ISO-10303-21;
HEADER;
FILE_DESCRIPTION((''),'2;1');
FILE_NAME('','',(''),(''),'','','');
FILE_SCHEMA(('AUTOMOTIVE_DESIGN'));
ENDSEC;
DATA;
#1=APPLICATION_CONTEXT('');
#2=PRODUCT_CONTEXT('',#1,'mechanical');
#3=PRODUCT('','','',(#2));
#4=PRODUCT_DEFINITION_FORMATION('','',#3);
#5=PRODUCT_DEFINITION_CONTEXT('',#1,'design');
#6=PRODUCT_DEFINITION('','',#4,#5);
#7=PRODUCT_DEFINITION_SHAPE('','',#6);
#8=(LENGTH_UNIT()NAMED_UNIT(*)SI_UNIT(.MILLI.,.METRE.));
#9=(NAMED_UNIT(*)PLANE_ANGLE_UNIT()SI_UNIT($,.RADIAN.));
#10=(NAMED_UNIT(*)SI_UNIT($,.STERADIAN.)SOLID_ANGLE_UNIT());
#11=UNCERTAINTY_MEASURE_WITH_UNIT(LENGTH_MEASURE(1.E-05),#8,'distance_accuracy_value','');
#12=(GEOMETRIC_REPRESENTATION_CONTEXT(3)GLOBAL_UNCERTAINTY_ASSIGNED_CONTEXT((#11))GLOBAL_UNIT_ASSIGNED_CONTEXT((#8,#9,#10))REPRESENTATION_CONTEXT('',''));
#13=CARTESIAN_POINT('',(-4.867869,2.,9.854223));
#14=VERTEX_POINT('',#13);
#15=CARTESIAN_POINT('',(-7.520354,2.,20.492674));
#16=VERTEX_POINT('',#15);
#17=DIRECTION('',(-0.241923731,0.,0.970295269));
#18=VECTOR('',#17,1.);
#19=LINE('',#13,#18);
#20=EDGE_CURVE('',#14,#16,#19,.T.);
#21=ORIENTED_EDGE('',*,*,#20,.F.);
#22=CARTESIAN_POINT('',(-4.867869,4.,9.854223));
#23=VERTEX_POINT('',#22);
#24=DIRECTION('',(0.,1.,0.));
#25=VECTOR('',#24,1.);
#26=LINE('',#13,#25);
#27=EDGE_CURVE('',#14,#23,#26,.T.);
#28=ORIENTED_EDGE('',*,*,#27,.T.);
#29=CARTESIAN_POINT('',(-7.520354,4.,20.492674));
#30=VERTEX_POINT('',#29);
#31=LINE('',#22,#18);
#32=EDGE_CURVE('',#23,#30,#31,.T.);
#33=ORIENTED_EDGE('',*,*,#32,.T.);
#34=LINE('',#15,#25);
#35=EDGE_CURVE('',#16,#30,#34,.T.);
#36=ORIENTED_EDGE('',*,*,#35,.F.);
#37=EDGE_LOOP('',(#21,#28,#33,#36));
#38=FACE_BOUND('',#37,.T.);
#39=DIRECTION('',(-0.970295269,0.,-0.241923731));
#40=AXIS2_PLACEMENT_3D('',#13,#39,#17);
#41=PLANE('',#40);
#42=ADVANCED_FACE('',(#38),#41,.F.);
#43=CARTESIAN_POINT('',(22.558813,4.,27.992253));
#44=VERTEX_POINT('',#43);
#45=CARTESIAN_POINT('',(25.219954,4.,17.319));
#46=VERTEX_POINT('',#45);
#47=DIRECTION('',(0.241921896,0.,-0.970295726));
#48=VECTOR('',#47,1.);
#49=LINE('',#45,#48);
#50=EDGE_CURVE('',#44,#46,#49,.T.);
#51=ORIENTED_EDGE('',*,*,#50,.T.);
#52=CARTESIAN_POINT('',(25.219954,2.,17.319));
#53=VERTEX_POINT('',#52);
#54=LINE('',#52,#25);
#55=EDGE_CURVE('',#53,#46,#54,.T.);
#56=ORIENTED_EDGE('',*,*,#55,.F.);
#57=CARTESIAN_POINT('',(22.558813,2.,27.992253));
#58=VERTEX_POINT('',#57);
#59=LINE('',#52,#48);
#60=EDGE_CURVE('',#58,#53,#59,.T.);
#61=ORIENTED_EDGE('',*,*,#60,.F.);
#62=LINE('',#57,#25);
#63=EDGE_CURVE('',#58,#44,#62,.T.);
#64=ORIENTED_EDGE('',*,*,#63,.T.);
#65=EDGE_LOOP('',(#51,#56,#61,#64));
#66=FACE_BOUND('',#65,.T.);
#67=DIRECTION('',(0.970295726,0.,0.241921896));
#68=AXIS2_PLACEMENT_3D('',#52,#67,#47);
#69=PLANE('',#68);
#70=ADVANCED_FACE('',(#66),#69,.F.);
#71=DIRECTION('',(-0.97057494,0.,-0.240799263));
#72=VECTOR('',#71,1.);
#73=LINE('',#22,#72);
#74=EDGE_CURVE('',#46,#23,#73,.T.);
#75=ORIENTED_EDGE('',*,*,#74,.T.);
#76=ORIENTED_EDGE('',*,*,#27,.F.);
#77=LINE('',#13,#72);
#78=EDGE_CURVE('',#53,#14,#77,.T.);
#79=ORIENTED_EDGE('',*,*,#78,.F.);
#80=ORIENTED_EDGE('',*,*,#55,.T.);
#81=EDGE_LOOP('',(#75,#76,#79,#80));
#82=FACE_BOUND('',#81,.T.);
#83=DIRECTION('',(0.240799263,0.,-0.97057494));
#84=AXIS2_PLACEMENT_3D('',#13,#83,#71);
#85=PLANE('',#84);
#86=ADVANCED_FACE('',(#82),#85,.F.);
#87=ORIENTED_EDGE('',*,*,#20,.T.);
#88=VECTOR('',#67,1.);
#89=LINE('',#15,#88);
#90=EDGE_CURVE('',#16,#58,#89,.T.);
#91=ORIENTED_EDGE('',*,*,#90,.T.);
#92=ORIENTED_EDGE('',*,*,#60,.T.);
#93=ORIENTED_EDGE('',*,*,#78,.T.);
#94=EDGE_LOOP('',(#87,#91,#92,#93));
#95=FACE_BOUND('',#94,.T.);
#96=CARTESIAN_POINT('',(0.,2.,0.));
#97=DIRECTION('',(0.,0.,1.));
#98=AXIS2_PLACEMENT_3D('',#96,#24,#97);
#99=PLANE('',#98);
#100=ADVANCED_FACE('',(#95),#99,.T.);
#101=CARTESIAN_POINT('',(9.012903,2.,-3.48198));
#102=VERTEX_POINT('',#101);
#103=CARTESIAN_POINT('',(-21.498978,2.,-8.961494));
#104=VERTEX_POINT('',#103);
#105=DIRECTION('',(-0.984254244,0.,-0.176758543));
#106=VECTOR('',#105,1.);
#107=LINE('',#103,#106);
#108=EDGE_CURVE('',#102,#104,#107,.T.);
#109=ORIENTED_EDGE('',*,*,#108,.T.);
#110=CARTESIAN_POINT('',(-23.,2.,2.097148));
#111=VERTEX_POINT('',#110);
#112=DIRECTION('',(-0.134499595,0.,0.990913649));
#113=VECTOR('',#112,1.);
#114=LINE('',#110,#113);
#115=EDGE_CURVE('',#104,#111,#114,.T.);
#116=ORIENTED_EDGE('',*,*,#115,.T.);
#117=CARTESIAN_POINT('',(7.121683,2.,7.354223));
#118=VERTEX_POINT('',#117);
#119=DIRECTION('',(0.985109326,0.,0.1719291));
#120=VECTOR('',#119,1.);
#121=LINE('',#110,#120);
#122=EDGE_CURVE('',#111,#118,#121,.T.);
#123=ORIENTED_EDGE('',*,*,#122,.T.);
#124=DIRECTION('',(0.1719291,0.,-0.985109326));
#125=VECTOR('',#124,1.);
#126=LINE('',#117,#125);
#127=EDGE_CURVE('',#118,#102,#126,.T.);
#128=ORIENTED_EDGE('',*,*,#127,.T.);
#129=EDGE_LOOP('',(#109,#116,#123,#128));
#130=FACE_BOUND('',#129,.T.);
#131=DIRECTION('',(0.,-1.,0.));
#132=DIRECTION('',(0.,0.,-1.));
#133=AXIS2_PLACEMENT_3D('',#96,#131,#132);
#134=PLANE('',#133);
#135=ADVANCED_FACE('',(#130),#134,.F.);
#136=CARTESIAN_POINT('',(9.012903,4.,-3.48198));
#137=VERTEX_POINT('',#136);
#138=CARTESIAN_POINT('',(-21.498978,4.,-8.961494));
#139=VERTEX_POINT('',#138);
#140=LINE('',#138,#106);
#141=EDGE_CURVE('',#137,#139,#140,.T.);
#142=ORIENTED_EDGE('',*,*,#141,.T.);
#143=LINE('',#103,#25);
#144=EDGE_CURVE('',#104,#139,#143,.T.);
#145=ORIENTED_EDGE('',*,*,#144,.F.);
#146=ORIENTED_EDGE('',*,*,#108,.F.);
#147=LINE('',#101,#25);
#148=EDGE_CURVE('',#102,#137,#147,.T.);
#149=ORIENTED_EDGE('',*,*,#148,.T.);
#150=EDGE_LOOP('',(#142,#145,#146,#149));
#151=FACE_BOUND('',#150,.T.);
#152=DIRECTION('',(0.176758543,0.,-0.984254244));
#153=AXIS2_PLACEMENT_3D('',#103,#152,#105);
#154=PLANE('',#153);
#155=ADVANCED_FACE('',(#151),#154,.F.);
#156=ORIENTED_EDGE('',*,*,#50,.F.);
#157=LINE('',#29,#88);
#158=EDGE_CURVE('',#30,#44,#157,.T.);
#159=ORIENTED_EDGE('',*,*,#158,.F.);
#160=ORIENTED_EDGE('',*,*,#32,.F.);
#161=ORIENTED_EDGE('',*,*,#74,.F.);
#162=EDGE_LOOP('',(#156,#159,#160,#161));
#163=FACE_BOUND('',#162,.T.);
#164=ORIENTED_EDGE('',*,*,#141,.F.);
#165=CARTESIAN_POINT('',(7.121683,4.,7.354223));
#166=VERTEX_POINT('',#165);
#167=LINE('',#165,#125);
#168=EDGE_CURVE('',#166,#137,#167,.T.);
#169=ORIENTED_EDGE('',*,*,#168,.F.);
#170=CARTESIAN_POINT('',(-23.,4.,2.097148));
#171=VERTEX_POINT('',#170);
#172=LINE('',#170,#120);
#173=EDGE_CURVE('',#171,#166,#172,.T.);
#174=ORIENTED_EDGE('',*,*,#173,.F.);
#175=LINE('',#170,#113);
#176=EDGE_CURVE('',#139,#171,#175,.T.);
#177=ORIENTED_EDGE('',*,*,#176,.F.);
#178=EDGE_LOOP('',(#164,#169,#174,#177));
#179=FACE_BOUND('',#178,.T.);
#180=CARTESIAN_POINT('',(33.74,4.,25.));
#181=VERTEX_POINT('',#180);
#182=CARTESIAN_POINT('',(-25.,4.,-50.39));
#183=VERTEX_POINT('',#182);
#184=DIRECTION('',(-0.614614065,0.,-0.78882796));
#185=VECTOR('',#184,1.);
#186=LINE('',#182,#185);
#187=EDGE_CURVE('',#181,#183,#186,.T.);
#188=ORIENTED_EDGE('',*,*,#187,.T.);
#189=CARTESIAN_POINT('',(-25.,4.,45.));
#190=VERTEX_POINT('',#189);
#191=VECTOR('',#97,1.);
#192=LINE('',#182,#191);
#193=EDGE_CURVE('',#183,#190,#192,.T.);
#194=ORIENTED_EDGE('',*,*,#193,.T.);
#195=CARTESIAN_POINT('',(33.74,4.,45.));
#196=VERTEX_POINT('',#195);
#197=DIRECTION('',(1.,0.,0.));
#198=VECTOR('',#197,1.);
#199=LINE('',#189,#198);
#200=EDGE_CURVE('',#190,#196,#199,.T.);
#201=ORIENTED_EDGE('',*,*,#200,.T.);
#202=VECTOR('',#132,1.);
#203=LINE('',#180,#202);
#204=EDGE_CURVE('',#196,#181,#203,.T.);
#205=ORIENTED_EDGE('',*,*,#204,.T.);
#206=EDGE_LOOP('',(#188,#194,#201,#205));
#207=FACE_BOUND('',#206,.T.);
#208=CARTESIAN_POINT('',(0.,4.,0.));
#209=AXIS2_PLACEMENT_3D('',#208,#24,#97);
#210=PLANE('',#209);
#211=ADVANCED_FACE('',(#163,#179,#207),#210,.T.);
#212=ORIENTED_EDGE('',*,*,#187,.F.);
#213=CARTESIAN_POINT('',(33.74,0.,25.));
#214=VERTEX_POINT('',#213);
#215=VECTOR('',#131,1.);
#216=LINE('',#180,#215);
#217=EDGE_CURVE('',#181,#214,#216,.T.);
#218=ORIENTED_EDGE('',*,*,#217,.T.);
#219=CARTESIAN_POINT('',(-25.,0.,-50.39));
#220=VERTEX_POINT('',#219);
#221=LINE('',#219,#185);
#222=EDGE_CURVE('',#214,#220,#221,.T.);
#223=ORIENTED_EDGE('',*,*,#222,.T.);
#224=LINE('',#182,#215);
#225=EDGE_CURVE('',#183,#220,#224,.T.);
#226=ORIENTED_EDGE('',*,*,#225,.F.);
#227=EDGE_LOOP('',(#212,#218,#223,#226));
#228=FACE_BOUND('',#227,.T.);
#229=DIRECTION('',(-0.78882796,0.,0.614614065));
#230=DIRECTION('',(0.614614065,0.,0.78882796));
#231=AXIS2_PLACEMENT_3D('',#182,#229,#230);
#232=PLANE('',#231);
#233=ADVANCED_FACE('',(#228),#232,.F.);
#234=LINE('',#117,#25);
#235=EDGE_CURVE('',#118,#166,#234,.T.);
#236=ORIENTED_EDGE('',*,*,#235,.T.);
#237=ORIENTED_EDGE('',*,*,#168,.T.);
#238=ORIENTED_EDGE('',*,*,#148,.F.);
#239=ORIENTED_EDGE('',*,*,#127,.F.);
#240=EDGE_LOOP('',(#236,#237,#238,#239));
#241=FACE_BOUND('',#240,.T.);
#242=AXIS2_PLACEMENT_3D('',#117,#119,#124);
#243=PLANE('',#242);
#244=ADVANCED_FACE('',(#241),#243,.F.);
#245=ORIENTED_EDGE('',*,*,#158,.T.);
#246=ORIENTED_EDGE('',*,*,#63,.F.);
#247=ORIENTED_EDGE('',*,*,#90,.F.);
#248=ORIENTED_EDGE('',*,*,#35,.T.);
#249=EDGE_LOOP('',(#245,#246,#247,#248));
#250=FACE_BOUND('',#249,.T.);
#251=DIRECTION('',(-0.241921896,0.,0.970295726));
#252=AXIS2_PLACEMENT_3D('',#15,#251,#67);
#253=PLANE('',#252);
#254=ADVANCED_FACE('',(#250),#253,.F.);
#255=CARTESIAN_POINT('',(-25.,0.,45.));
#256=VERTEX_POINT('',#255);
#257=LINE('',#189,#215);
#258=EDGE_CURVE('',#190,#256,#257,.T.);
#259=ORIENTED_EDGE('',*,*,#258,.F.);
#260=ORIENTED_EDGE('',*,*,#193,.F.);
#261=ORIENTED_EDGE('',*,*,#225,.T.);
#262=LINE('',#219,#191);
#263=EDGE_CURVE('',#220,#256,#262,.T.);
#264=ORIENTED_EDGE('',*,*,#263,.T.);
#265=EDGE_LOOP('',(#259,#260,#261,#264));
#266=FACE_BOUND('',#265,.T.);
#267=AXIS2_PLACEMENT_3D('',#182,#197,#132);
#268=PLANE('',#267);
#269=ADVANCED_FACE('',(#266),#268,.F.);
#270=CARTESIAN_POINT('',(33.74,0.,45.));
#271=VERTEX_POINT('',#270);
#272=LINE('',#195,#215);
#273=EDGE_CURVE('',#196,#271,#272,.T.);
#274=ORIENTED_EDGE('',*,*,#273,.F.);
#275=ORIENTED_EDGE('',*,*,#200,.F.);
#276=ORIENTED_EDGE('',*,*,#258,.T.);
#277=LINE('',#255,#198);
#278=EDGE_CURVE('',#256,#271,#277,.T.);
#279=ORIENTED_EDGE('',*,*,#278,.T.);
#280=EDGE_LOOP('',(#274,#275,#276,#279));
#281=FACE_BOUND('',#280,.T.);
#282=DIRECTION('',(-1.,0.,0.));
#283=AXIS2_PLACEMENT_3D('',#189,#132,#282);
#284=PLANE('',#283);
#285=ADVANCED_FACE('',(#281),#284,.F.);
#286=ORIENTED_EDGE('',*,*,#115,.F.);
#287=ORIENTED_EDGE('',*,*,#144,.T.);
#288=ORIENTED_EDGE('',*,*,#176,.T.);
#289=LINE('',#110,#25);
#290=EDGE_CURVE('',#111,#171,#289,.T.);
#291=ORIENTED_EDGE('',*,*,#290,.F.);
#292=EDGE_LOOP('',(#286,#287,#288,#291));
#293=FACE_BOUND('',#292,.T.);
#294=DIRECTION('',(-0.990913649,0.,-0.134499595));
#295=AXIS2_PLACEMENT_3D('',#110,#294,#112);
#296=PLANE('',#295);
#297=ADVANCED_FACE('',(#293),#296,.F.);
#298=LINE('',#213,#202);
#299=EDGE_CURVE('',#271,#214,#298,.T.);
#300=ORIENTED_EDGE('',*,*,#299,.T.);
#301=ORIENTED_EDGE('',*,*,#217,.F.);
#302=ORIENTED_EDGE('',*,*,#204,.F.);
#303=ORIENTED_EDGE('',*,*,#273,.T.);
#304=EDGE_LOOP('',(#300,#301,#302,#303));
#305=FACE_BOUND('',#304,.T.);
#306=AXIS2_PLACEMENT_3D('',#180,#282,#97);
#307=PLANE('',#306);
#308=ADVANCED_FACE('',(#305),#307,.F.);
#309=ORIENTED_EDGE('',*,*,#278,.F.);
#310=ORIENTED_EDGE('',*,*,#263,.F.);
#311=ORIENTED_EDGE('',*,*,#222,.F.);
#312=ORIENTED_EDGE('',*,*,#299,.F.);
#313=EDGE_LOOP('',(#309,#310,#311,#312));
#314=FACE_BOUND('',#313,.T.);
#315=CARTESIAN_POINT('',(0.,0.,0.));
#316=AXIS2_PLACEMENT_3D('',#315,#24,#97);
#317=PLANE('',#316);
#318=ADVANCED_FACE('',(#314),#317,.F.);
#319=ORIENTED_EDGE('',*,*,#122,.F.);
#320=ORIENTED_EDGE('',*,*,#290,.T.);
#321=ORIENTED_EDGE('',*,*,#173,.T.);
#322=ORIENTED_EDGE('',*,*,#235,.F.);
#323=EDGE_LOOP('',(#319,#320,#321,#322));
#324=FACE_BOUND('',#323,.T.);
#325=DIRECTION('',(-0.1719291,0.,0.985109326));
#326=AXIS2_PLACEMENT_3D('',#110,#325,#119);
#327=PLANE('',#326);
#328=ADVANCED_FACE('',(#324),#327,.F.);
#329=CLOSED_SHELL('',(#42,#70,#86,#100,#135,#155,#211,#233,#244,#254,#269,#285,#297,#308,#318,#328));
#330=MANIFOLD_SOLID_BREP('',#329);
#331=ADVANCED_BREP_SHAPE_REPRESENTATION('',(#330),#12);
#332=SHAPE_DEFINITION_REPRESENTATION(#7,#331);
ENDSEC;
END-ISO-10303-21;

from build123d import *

# Parameters (mm, degrees)
BOSS_EXTRUDE1_DEPTH = 4
CUT_EXTRUDE1_DEPTH  = 2
CUT_EXTRUDE2_DEPTH  = 2


with BuildPart() as part:
    # Sketch1 → Boss-Extrude1 (new body)
    with BuildSketch(Plane(origin=(0, 0, 0), x_dir=(1, 0, 0), z_dir=(0, 1, 0))):
        Polygon((-25, 50.39), (33.74, -25), (33.74, -45), (-25, -45), align=None)
    extrude(amount=BOSS_EXTRUDE1_DEPTH)

    # Sketch2 → Cut-Extrude1 (cut)
    with BuildSketch(Plane(origin=(0, 4, 0), x_dir=(1, 0, 0), z_dir=(0, 1, 0))):
        Polygon((-23, -2.0971477), (7.121683168, -7.35422298), (9.012903271, 3.481979608), (-21.498978305, 8.961494434), align=None)
    extrude(amount=-CUT_EXTRUDE1_DEPTH, mode=Mode.SUBTRACT)

    # Sketch4 → Cut-Extrude2 (cut)
    with BuildSketch(Plane(origin=(0, 4, 0), x_dir=(1, 0, 0), z_dir=(0, 1, 0))):
        Polygon((-4.867869217, -9.85422298), (25.219953937, -17.319000128), (22.558813085, -27.992253117), (-7.520354429, -20.492674354), align=None)
    extrude(amount=-CUT_EXTRUDE2_DEPTH, mode=Mode.SUBTRACT)


solid = part.part
